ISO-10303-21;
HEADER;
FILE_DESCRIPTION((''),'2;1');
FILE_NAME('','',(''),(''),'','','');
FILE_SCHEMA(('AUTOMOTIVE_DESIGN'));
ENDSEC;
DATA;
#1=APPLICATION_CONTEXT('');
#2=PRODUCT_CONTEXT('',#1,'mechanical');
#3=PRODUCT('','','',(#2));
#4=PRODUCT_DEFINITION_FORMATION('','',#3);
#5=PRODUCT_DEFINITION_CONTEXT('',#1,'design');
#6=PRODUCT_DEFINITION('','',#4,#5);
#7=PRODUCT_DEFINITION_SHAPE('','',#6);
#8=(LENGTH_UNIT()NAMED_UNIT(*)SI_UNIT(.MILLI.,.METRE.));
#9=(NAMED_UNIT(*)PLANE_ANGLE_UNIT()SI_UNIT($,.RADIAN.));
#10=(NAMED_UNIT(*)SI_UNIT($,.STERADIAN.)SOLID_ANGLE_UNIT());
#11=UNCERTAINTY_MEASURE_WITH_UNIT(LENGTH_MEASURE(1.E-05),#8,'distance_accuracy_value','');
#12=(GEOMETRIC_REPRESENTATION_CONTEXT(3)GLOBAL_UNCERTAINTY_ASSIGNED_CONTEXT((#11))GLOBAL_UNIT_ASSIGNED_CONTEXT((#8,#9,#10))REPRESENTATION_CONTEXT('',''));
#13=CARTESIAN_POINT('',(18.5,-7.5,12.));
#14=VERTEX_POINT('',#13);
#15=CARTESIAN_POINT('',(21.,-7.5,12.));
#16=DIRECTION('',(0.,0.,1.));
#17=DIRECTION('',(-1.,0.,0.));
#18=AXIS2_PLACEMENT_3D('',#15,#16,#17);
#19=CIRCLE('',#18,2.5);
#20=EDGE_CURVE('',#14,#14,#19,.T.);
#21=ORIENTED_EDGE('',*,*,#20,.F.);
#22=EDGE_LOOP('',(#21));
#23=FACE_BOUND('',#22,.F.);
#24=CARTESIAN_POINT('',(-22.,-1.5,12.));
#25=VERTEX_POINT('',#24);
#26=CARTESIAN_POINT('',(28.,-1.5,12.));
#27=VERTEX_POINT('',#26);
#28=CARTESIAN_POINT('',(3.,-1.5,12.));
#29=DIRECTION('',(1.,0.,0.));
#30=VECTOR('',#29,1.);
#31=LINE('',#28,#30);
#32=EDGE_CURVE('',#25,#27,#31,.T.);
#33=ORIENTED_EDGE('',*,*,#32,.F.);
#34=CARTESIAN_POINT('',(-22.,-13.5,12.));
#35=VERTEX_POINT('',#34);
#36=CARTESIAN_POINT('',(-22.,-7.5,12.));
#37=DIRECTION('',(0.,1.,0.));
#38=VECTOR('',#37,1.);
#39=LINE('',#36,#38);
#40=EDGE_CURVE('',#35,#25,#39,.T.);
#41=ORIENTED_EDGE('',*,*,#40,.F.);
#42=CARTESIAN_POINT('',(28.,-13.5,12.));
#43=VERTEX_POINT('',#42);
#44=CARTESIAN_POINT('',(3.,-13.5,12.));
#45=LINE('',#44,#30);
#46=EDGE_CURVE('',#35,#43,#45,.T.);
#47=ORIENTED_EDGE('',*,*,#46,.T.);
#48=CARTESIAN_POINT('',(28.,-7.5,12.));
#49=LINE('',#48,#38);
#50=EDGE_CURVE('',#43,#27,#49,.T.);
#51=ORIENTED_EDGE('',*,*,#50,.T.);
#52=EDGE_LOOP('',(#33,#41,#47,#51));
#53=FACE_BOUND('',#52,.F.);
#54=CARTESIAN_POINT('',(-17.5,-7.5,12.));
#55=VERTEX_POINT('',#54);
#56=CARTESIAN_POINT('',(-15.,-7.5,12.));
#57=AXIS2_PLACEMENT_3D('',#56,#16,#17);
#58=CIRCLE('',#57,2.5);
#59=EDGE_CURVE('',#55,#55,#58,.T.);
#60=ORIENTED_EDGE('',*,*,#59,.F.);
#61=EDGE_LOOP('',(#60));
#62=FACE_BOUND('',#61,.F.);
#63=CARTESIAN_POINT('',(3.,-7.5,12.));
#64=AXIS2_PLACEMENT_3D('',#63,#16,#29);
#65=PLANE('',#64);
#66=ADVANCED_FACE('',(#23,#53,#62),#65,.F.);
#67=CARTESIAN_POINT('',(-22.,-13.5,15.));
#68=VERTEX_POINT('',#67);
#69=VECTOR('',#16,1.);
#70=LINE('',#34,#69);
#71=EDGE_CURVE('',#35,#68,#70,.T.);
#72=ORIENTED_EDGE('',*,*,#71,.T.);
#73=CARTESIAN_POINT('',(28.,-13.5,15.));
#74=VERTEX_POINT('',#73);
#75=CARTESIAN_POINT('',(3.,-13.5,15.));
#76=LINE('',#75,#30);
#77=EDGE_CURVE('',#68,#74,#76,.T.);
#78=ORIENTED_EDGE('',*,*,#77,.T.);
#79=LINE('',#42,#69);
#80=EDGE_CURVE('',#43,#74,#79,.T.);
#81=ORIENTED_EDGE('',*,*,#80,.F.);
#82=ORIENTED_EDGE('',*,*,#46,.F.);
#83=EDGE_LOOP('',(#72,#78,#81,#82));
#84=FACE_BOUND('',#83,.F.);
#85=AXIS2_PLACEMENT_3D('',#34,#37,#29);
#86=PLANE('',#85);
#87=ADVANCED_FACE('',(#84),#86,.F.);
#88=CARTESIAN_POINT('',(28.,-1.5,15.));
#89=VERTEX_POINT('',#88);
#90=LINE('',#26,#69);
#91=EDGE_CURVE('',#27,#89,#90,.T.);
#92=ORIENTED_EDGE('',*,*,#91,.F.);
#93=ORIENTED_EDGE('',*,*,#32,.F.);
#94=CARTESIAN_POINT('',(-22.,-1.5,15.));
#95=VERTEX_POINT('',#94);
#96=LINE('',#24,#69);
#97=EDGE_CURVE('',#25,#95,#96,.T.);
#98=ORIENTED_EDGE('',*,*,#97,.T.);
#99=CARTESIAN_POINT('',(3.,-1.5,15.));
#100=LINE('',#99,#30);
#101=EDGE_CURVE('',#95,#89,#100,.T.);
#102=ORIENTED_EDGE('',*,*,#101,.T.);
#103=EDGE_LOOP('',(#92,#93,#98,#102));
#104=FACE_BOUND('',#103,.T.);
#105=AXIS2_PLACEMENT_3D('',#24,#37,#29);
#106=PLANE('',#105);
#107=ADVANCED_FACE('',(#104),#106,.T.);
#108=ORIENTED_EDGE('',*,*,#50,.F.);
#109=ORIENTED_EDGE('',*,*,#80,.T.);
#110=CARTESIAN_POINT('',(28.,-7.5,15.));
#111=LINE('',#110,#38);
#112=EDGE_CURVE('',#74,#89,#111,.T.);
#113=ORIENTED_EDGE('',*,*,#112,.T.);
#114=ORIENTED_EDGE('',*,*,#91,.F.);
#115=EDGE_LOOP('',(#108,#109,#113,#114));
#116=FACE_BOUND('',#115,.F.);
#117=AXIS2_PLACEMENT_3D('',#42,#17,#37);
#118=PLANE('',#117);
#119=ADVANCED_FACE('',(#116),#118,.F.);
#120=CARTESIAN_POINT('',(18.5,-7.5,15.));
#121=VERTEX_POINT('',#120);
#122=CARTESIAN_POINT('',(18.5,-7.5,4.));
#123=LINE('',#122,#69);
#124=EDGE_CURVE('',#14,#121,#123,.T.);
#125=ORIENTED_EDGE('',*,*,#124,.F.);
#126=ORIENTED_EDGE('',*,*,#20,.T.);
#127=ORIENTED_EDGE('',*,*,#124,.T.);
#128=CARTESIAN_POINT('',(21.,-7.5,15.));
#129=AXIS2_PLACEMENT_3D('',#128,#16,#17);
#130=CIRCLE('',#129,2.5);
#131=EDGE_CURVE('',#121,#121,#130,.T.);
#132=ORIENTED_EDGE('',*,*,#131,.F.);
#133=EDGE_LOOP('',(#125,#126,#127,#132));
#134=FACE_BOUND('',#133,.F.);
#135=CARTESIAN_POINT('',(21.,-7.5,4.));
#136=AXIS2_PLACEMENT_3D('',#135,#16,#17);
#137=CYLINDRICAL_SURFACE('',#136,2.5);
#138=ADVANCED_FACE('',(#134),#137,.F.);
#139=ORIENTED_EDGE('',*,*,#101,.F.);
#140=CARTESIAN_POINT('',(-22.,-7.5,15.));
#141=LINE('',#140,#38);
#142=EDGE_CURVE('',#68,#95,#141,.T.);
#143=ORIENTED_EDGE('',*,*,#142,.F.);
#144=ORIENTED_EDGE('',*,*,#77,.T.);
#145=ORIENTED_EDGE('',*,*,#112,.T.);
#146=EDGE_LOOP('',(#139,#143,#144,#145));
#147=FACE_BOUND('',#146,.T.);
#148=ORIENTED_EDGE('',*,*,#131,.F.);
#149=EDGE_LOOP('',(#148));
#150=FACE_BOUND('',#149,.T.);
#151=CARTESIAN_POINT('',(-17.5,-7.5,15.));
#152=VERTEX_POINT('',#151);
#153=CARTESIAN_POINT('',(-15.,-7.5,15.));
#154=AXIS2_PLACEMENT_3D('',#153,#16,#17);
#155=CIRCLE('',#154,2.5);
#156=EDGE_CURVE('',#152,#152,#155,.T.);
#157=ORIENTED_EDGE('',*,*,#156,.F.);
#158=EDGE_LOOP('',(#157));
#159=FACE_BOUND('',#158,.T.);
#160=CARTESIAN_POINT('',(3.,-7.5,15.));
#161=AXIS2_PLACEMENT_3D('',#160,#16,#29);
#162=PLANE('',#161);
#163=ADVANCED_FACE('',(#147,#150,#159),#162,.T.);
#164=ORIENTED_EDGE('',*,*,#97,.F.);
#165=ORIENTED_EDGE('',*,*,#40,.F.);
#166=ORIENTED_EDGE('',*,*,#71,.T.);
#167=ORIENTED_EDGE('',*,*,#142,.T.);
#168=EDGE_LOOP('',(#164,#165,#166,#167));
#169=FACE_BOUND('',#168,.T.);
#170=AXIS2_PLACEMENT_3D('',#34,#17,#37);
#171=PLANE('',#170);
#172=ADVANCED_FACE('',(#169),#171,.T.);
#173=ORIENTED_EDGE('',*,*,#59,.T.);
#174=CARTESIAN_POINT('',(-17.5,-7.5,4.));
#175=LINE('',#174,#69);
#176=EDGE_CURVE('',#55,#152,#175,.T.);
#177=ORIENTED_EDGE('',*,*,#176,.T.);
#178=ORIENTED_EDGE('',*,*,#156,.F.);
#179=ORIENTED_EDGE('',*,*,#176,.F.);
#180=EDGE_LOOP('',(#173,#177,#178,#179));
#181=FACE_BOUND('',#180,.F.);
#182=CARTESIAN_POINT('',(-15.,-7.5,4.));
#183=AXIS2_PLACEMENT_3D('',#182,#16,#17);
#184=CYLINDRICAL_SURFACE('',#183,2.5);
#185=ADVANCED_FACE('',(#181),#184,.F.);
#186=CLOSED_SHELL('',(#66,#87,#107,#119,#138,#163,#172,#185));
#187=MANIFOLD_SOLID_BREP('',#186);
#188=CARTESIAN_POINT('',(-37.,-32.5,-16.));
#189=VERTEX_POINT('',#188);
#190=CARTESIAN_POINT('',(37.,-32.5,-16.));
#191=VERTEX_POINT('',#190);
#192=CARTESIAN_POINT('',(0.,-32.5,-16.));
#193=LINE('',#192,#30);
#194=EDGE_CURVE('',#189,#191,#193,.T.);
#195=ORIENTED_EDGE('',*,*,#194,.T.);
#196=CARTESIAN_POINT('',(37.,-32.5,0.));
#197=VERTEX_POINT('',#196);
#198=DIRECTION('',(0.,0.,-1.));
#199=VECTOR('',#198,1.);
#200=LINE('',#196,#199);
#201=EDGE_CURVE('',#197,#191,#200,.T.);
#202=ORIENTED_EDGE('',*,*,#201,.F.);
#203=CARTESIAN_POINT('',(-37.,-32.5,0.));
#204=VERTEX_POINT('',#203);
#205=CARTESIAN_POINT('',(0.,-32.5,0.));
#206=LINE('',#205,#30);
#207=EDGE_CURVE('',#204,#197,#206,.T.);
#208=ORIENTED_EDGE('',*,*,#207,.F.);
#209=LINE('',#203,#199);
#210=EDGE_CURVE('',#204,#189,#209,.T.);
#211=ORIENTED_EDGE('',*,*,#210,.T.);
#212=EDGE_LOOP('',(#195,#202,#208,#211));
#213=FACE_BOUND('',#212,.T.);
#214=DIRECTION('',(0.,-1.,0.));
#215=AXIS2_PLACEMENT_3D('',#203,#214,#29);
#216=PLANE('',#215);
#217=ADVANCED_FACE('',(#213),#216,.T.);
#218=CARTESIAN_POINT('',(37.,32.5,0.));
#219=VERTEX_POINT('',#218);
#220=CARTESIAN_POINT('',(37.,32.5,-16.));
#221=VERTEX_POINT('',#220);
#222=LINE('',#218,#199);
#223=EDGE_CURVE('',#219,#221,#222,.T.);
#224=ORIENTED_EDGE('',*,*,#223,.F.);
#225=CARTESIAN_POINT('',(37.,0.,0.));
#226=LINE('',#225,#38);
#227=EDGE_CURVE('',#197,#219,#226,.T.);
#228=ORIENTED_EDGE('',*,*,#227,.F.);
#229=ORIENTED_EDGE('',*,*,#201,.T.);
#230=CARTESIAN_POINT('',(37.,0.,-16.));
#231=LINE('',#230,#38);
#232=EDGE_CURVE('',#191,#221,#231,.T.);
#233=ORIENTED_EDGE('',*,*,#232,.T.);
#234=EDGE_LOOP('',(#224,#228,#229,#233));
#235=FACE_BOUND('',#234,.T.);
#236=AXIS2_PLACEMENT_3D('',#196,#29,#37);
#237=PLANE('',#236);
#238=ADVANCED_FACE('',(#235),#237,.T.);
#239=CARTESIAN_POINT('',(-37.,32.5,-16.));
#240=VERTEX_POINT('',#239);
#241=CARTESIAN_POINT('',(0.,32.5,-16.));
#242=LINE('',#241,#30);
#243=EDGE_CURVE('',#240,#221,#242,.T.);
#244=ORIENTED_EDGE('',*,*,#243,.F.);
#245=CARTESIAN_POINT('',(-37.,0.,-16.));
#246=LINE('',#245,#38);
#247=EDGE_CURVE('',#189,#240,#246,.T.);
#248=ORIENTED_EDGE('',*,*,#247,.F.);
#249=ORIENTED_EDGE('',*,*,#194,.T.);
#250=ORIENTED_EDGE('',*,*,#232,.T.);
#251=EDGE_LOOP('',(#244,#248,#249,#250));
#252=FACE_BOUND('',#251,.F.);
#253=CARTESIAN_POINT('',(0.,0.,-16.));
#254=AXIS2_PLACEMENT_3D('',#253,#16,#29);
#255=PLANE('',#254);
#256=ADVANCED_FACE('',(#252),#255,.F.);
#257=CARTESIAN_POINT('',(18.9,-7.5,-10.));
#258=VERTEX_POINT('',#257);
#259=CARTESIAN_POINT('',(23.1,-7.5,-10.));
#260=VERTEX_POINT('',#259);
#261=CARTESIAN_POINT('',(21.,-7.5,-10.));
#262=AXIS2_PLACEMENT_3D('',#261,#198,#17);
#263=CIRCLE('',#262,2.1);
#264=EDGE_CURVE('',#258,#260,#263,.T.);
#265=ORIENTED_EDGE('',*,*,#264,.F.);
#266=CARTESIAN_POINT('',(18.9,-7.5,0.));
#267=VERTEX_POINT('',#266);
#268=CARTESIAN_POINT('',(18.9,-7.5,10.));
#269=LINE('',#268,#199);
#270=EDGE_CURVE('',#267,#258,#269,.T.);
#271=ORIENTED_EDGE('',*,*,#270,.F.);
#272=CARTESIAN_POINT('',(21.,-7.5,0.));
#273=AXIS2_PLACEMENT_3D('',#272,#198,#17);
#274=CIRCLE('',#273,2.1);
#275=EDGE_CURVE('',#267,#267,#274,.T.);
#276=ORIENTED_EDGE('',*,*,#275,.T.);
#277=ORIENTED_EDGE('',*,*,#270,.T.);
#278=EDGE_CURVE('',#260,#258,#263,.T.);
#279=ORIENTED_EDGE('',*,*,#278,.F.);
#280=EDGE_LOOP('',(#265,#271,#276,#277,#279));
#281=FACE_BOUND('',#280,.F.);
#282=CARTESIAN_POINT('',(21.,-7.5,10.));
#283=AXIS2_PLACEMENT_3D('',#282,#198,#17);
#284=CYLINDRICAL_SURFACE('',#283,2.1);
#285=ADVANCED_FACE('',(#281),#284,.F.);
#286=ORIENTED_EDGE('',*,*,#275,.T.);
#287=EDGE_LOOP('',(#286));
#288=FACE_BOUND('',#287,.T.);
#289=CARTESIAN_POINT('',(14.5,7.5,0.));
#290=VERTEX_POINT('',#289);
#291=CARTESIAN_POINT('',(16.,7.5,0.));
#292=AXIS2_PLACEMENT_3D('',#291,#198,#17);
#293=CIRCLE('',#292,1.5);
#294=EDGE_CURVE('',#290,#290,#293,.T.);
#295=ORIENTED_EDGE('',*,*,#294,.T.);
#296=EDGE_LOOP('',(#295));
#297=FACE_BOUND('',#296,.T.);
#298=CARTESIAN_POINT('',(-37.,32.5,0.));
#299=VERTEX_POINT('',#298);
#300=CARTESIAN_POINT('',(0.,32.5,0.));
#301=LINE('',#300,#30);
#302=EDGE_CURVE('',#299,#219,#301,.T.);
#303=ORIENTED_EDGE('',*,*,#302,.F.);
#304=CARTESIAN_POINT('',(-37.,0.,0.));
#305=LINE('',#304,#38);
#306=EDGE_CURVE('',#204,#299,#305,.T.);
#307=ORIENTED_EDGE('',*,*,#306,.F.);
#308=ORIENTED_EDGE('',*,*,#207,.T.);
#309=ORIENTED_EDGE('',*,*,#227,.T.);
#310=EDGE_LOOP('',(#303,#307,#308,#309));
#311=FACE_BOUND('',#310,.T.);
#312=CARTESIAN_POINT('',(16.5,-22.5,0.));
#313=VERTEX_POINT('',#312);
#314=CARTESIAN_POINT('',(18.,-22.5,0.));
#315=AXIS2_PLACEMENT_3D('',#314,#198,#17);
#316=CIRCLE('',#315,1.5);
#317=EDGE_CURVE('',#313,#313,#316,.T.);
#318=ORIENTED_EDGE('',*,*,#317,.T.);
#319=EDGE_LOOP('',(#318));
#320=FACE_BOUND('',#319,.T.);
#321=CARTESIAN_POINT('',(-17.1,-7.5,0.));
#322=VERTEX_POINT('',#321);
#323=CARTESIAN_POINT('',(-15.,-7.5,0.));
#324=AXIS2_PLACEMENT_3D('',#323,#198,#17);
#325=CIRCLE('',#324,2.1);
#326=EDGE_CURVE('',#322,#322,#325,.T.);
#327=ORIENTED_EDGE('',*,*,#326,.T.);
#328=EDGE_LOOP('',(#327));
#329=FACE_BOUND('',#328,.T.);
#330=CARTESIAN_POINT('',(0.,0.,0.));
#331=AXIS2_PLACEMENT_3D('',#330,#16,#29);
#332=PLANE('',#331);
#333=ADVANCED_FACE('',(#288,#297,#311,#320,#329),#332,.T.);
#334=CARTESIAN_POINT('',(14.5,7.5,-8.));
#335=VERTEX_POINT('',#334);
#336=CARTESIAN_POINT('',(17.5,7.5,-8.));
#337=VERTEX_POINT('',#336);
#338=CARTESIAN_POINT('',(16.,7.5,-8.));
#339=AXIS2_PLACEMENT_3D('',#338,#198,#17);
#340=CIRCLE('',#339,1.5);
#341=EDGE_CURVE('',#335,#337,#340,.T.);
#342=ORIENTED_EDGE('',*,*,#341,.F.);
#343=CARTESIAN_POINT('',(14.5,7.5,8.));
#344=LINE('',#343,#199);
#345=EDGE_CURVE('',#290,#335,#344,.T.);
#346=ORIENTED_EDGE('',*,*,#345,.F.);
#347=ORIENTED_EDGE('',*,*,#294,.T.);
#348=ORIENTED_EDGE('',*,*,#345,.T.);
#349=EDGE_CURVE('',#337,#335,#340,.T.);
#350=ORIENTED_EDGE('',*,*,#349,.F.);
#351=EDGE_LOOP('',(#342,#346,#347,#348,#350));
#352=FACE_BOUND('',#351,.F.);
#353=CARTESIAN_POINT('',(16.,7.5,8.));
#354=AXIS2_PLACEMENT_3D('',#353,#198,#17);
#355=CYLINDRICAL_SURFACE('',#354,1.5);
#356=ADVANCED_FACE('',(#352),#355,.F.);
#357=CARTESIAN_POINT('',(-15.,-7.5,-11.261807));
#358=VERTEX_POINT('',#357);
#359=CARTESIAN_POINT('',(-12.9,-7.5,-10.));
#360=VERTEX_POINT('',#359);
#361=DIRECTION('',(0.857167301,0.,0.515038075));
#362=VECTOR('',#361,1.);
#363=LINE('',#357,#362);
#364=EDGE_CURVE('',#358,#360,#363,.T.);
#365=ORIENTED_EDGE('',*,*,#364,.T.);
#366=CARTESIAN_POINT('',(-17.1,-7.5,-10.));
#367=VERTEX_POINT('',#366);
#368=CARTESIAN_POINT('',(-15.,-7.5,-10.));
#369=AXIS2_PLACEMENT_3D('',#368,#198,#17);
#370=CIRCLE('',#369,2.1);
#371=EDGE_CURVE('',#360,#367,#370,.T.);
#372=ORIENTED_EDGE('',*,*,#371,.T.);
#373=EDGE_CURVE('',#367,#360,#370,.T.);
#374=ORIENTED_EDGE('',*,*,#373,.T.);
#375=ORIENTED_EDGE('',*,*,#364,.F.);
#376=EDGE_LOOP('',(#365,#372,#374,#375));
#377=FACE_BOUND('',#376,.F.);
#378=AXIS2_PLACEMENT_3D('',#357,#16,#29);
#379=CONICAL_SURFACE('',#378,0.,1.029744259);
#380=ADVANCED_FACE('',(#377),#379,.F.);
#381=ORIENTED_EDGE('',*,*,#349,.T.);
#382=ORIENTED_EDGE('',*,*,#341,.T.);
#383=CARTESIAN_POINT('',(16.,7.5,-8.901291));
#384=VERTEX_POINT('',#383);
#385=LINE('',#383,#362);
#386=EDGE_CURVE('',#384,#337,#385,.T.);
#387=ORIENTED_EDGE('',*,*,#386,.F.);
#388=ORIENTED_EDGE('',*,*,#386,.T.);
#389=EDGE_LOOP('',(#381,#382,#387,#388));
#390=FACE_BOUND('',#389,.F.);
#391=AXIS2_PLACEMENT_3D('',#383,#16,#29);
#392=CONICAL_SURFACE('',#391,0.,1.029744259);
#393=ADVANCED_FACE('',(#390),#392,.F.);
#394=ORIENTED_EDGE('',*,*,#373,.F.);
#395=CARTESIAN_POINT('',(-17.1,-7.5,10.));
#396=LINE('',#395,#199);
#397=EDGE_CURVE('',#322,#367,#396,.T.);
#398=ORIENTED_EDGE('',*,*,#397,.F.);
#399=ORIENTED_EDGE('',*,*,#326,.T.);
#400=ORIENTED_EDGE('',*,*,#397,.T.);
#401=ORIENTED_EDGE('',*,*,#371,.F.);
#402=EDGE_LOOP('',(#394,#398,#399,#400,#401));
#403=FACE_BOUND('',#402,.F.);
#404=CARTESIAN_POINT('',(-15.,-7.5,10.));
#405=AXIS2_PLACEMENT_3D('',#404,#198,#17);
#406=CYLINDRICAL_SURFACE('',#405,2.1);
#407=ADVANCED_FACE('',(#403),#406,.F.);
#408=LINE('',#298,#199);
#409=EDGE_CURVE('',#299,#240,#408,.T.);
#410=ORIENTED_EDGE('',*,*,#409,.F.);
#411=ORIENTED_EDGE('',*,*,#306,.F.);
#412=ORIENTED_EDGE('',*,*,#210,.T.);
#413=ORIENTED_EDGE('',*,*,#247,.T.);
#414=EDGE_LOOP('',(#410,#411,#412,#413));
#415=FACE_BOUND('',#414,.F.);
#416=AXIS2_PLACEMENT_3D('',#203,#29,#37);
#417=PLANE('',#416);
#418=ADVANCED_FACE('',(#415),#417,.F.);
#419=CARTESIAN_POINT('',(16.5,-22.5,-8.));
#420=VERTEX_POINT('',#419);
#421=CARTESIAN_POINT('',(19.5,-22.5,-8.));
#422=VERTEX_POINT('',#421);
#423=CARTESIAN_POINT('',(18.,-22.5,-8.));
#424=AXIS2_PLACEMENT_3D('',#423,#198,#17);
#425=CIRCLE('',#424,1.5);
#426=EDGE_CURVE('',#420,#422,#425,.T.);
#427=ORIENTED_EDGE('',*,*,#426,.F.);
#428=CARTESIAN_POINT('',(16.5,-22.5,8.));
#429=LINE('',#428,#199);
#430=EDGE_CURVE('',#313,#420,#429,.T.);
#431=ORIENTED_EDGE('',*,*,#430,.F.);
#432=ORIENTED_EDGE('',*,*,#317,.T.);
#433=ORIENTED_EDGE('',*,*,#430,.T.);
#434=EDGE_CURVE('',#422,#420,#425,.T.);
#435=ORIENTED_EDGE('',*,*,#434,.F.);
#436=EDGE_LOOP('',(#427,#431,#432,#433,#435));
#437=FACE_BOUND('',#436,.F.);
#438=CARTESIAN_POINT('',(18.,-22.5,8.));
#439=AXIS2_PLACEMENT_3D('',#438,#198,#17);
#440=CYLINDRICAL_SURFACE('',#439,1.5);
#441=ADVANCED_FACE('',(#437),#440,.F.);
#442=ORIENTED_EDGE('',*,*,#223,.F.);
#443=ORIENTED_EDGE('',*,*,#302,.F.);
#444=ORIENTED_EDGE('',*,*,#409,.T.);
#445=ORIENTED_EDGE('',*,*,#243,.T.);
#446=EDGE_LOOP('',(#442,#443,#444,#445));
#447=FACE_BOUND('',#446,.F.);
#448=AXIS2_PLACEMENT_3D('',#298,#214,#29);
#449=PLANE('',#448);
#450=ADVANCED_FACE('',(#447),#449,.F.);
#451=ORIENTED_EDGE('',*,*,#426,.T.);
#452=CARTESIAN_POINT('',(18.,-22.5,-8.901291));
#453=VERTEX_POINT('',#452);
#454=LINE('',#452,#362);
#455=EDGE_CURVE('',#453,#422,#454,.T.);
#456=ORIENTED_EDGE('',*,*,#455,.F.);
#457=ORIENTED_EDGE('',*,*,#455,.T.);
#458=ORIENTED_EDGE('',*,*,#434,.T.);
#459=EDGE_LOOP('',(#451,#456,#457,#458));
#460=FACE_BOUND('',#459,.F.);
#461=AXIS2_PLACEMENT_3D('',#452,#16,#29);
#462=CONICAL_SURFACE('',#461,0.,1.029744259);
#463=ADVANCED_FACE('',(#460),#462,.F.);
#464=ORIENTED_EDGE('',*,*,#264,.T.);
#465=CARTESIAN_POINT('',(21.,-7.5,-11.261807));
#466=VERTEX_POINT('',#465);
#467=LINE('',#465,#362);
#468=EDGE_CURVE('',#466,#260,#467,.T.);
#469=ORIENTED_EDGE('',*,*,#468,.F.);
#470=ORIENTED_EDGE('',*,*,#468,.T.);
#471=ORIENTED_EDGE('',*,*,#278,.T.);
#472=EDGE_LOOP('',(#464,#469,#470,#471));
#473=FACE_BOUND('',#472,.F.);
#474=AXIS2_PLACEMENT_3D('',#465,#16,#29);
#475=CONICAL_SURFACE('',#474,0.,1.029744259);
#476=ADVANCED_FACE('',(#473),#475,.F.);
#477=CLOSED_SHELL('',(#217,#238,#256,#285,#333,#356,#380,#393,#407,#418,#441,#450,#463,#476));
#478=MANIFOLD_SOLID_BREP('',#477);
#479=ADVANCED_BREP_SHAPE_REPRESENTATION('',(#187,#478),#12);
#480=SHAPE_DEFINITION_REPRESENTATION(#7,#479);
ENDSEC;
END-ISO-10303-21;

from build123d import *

# Parameters (mm, degrees)
F0_W     = 74
F0_H     = 65
F1_DEPTH = 16
F3_D     = 3
F3_DEPTH = 8
F3_TIP   = 0.9012909285
F4_D     = 4.2
F4_DEPTH = 10
F4_TIP   = 1.2618073
F7_W     = 50
F7_H     = 12
F8_DEPTH = 3
F9_D     = 5
F9_DEPTH = 8
F9_TIP   = 1.5021515476


with BuildPart() as f1:
    # F0 (on Top) → F1 (new body)
    with BuildSketch(Plane.XY):
        Rectangle(F0_W, F0_H)
    extrude(amount=-F1_DEPTH)

    # F3
    with Locations(Plane.XY):
        with Locations((18, -22.5), (16, 7.5)):
            Hole(F3_D / 2, depth=F3_DEPTH)
            with Locations((0, 0, -(F3_DEPTH + F3_TIP / 2))):  # 118° drill point
                Cone(0, F3_D / 2, F3_TIP, mode=Mode.SUBTRACT)

    # F4
    with Locations(Plane.XY):
        with Locations((21, -7.5), (-15, -7.5)):
            Hole(F4_D / 2, depth=F4_DEPTH)
            with Locations((0, 0, -(F4_DEPTH + F4_TIP / 2))):  # 118° drill point
                Cone(0, F4_D / 2, F4_TIP, mode=Mode.SUBTRACT)


with BuildPart() as f8:
    # F7 (on offset) → F8 (new body)
    with BuildSketch(Plane.XY.offset(12)):
        with Locations((3, -7.5)):
            Rectangle(F7_W, F7_H)
    extrude(amount=F8_DEPTH)

    # F9
    with Locations(Plane(origin=(0, 0, 12), x_dir=(1, 0, 0), z_dir=(0, 0, -1))):
        with Locations((-15, 7.5), (21, 7.5)):
            Hole(F9_D / 2, depth=F9_DEPTH)
            with Locations((0, 0, -(F9_DEPTH + F9_TIP / 2))):  # 118° drill point
                Cone(0, F9_D / 2, F9_TIP, mode=Mode.SUBTRACT)


solid = Compound([f1.part, f8.part])
